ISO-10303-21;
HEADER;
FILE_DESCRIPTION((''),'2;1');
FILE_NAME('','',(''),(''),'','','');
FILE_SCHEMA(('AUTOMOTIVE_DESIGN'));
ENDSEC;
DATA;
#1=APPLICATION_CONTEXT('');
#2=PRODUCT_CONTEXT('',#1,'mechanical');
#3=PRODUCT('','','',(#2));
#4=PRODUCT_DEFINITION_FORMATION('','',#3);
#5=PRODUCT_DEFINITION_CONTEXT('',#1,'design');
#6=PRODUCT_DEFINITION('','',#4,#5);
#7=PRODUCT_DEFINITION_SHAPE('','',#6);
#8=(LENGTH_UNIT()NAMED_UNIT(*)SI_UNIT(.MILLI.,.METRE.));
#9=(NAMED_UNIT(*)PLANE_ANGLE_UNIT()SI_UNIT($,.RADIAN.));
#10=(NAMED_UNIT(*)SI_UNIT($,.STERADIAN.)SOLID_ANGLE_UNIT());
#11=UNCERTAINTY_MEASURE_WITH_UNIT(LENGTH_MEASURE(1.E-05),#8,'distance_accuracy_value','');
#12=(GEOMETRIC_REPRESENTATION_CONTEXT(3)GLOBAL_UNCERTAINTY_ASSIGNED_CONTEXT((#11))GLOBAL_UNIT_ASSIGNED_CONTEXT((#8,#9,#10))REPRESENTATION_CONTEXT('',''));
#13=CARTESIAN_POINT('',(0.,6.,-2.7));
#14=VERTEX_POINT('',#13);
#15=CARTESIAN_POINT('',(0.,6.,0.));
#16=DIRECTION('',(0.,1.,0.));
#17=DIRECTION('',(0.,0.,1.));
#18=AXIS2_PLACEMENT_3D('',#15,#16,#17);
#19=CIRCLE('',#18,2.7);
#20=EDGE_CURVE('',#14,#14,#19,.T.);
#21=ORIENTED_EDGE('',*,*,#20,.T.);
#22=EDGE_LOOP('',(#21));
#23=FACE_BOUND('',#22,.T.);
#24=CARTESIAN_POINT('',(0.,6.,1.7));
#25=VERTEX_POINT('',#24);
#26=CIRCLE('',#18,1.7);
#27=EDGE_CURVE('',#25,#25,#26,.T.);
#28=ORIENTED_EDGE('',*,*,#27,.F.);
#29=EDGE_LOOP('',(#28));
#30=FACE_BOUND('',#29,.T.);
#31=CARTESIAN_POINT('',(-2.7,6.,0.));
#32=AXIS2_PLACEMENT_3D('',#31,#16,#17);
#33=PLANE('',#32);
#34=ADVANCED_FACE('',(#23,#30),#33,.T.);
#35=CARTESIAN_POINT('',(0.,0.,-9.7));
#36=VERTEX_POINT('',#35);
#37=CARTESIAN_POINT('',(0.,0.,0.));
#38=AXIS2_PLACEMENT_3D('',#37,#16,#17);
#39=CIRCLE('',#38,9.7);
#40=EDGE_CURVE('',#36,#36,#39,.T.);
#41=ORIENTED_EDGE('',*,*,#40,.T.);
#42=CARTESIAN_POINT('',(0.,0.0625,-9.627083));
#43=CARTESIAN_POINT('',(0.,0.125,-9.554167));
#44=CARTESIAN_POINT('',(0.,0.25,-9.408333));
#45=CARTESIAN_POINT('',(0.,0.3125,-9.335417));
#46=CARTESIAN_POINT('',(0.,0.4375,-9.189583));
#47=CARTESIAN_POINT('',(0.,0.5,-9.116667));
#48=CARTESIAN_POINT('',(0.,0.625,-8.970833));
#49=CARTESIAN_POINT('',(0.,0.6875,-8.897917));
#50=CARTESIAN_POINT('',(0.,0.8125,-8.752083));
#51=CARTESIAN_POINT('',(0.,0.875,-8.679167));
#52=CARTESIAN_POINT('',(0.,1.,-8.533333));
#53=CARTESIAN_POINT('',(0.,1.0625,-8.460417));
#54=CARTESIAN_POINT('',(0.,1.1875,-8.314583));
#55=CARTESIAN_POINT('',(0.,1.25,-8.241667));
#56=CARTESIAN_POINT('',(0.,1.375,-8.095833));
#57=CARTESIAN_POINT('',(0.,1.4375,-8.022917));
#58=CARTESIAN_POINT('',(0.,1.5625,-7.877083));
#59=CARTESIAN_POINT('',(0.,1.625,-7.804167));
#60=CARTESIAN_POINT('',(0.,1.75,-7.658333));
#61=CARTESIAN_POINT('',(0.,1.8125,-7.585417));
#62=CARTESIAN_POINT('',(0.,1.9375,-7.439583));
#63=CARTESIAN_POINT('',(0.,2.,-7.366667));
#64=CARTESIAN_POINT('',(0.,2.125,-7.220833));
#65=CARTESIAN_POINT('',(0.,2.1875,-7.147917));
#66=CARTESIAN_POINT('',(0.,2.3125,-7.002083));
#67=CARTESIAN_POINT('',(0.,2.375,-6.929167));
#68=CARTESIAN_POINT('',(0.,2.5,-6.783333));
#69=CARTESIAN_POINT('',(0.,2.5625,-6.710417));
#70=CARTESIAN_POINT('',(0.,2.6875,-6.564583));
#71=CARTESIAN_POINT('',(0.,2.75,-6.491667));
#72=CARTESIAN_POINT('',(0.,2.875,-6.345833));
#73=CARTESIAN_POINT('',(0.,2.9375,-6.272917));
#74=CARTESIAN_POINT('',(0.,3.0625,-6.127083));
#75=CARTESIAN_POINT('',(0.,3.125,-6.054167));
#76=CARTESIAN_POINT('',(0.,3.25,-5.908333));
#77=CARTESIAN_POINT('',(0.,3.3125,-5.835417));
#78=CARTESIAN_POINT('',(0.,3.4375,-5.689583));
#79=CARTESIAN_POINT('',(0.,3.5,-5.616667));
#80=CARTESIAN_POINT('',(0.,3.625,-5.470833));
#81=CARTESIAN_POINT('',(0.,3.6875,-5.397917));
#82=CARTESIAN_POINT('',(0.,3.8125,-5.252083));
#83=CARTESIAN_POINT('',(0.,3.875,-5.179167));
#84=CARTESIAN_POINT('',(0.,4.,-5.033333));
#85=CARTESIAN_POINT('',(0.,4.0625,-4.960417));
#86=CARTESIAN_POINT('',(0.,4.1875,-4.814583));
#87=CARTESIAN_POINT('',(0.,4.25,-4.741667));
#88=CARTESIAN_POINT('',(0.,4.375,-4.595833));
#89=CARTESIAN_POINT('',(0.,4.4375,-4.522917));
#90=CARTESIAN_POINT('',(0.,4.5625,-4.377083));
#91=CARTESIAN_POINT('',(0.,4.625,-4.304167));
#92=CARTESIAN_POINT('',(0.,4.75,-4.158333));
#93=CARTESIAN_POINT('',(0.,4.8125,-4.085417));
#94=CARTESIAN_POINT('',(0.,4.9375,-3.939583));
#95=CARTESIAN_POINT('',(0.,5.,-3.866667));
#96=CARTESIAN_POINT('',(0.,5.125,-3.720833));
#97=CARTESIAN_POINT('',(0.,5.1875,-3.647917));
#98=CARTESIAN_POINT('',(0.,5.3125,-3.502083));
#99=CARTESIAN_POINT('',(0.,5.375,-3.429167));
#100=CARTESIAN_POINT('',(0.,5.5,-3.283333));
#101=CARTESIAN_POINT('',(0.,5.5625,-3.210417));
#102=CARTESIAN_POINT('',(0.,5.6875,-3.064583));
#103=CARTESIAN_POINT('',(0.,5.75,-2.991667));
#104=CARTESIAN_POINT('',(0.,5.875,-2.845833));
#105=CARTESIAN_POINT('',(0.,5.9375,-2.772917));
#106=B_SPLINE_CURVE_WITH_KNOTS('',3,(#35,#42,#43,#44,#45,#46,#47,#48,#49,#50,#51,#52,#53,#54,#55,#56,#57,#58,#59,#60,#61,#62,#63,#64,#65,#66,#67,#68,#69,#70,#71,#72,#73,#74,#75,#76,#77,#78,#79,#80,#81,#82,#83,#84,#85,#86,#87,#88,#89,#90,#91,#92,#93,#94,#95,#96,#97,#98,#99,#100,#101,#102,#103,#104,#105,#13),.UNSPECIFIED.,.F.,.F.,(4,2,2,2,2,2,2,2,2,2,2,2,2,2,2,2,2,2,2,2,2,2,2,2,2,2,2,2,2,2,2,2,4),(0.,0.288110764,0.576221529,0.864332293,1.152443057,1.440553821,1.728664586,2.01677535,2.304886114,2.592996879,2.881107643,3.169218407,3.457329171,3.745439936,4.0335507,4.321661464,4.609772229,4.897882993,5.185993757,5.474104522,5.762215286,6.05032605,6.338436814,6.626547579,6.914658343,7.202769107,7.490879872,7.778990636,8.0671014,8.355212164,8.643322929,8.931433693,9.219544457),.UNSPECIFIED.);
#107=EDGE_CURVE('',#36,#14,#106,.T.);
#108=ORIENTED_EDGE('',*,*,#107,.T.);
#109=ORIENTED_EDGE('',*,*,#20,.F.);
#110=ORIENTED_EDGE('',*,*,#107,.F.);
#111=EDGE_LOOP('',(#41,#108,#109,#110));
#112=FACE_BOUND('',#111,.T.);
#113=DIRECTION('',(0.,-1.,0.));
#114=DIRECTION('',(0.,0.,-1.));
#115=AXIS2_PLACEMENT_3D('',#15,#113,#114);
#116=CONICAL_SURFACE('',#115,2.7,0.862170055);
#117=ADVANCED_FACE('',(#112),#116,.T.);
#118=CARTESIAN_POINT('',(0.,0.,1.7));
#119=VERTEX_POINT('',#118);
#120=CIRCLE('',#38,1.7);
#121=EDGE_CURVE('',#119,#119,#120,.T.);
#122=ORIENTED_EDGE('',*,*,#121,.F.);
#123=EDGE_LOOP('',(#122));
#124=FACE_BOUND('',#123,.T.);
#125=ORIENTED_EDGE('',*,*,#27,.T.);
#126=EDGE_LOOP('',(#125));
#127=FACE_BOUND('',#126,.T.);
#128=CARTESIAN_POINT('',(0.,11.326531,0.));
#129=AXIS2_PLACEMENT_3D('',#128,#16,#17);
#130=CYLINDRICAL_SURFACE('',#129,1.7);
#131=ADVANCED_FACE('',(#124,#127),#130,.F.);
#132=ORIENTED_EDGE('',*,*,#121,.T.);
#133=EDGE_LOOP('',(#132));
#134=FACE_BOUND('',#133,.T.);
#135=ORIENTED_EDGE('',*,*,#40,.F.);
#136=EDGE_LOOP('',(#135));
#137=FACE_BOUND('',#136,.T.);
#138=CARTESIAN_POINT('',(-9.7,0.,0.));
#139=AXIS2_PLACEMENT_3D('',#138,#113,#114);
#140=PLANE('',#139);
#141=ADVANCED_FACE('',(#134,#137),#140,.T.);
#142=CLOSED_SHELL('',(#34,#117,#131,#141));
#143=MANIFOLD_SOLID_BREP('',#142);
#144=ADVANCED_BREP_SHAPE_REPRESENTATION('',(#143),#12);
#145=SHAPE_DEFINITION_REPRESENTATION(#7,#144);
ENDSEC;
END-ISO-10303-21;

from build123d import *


with BuildPart() as part:
    # Sketch1 → Revolve1 (revolve)
    with BuildSketch(Plane.XY, mode=Mode.PRIVATE) as revolve1_sk:
        Polygon((-2.7, 6), (-9.7, 0), (-1.7, 0), (-1.7, 6), align=None)
    revolve(revolve1_sk.sketch.rotate(Axis((0, 11.326530612, 0), (0, -1, 0)), 270), axis=Axis((0, 11.326530612, 0), (0, -1, 0)))


solid = part.part
